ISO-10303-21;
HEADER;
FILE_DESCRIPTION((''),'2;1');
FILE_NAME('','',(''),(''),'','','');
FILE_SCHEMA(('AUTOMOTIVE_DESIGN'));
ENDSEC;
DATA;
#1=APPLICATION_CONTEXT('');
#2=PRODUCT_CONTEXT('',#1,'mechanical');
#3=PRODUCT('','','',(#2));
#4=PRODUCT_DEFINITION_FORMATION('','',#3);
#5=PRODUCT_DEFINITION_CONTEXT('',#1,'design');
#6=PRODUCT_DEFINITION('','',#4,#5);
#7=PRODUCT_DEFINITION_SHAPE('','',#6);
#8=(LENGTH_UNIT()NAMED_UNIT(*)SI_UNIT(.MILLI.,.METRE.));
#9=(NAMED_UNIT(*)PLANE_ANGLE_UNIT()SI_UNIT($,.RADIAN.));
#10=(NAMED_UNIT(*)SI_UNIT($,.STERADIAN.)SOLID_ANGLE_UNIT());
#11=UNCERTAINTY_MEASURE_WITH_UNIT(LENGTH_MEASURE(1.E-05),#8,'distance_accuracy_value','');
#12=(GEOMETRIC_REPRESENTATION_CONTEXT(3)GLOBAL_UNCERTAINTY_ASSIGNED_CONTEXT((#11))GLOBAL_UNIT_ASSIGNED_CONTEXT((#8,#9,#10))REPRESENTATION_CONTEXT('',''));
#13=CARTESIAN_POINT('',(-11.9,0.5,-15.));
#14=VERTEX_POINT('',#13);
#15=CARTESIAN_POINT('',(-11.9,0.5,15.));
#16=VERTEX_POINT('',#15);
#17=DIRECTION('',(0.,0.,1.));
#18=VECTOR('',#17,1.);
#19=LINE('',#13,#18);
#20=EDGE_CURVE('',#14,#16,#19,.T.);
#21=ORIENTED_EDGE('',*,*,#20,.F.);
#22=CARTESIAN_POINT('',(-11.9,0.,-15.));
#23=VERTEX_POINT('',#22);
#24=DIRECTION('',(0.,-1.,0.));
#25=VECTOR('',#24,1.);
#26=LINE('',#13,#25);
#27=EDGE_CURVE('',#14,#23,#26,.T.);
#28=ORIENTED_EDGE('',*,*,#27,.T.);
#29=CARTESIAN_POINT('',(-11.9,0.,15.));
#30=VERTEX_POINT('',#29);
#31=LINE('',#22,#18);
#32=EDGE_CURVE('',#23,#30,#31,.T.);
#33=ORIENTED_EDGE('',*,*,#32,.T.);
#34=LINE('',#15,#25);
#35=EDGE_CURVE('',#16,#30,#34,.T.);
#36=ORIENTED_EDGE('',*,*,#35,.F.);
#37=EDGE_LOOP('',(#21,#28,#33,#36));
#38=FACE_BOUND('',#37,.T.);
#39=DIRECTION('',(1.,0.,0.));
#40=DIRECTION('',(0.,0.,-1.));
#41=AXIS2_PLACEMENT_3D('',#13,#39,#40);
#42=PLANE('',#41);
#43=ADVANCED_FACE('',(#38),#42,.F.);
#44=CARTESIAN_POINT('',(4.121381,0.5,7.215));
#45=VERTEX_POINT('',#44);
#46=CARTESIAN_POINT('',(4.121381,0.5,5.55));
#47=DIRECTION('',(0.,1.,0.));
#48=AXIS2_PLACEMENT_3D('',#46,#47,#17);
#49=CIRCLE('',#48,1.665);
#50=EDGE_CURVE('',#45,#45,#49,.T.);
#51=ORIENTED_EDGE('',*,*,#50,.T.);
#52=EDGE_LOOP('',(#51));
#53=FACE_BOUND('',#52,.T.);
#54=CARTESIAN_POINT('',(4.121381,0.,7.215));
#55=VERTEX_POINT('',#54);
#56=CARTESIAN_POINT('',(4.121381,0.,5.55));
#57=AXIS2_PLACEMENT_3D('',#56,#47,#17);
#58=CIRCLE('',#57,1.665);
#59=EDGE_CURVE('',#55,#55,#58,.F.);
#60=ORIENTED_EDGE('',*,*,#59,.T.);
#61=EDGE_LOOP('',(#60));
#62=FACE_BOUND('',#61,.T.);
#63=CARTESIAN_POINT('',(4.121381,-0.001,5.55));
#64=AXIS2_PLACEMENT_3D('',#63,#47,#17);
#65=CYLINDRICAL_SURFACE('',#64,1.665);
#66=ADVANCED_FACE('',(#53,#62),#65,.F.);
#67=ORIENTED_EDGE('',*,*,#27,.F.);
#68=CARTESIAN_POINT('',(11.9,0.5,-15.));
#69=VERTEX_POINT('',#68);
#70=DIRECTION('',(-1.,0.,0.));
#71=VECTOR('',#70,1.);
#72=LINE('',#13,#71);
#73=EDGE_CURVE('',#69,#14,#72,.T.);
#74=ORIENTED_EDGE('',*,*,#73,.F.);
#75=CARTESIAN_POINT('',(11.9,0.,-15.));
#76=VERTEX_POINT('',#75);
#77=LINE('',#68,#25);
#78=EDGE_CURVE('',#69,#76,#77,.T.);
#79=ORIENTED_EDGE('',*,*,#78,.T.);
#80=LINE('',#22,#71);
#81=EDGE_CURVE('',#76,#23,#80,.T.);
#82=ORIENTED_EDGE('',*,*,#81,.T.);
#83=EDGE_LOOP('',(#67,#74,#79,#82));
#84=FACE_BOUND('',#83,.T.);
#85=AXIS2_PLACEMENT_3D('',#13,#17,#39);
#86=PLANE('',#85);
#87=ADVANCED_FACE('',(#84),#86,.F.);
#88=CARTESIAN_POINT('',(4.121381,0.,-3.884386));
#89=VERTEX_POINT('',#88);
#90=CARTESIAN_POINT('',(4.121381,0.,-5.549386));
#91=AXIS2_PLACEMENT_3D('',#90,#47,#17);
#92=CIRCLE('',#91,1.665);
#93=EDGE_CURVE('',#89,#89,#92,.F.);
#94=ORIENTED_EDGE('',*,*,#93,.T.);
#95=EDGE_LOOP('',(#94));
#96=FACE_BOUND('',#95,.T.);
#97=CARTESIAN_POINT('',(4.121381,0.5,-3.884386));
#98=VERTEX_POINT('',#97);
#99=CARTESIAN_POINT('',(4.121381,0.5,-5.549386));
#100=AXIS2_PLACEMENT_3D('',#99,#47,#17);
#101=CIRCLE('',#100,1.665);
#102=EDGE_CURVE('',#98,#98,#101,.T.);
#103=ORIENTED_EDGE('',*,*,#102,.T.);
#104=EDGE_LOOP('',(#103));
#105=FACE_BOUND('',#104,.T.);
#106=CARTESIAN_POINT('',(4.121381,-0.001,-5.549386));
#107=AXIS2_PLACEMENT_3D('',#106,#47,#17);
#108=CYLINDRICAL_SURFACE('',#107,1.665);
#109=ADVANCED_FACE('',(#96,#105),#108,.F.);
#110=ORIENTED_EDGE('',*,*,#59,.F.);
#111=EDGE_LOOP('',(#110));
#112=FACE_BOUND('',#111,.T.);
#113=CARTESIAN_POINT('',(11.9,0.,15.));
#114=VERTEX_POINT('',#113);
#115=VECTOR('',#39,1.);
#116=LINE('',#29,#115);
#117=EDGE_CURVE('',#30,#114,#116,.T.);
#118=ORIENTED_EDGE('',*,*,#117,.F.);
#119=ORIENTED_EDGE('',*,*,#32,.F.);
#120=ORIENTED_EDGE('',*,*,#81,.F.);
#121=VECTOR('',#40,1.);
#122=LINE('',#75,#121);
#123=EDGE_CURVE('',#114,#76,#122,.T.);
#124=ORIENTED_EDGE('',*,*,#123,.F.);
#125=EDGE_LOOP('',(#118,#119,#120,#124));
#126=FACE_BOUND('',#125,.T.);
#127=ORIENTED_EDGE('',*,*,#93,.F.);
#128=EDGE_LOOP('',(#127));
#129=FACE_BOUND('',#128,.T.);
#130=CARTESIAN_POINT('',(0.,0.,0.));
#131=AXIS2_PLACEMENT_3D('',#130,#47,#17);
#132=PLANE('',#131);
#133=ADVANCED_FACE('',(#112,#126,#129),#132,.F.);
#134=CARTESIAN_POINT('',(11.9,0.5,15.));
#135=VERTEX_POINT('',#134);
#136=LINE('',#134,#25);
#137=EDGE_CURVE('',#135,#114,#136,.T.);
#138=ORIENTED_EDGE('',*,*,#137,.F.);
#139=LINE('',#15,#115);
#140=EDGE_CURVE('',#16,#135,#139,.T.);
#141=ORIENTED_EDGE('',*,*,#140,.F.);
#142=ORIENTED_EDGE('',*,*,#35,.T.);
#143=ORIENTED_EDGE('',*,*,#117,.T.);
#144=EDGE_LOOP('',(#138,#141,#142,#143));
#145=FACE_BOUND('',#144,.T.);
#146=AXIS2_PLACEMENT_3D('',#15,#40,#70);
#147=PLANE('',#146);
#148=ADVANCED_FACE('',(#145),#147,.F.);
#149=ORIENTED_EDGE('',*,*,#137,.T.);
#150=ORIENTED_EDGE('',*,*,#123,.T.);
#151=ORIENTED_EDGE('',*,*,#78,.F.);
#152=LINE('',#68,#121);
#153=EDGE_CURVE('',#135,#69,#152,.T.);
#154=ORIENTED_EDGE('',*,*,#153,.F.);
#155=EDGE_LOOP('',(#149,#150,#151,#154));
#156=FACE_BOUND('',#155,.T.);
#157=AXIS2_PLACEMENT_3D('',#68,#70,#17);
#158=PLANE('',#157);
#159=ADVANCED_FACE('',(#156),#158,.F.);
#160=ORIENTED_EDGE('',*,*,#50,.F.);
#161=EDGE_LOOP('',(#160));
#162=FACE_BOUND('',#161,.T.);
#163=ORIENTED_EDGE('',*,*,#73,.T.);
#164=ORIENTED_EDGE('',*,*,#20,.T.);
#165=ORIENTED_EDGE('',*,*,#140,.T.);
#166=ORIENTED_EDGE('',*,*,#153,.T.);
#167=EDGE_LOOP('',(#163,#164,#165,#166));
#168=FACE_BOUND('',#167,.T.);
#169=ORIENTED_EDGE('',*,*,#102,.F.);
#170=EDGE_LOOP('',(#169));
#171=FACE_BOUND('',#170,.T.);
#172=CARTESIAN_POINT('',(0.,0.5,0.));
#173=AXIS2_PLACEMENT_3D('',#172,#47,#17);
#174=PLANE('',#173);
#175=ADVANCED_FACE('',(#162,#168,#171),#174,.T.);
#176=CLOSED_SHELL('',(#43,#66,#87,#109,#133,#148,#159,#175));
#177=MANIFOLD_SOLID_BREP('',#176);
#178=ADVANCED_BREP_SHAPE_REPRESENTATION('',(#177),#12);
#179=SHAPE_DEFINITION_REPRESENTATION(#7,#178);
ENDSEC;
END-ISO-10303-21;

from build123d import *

# Parameters (mm, degrees)
SKETCH1_W           = 23.8
SKETCH1_H           = 30
BOSS_EXTRUDE1_DEPTH = 0.5
CUT_EXTRUDE1_REACH  = 21.154
SKETCH2_R           = 1.665


with BuildPart() as part:
    # Sketch1 → Boss-Extrude1 (new body)
    with BuildSketch(Plane(origin=(0, 0, 0), x_dir=(1, 0, 0), z_dir=(0, 1, 0))):
        Rectangle(SKETCH1_W, SKETCH1_H)
    extrude(amount=BOSS_EXTRUDE1_DEPTH)

    # Sketch2 → Cut-Extrude1 (cut, up to next)
    with BuildSketch(Plane(origin=(0, 0.5, 0), x_dir=(1, 0, 0), z_dir=(0, 1, 0)), mode=Mode.PRIVATE) as cut_extrude1_sk1:
        with Locations(Location((4.121380866, 5.549386368, 0), (0, 0, 270))):
            Circle(SKETCH2_R)
    cut_extrude1_tool1 = extrude(cut_extrude1_sk1.sketch, amount=-CUT_EXTRUDE1_REACH, mode=Mode.PRIVATE) & part.part
    # Sketch2 → Cut-Extrude1 (cut, up to next)
    with BuildSketch(Plane(origin=(0, 0.5, 0), x_dir=(1, 0, 0), z_dir=(0, 1, 0)), mode=Mode.PRIVATE) as cut_extrude1_sk2:
        with Locations(Location((4.121380866, -5.55, 0), (0, 0, 270))):
            Circle(SKETCH2_R)
    cut_extrude1_tool2 = extrude(cut_extrude1_sk2.sketch, amount=-CUT_EXTRUDE1_REACH, mode=Mode.PRIVATE) & part.part
    add(cut_extrude1_tool1.solids().sort_by_distance((4.121381, 0.5, -5.549386))[0], mode=Mode.SUBTRACT)
    add(cut_extrude1_tool2.solids().sort_by_distance((4.121381, 0.5, 5.55))[0], mode=Mode.SUBTRACT)


solid = part.part
